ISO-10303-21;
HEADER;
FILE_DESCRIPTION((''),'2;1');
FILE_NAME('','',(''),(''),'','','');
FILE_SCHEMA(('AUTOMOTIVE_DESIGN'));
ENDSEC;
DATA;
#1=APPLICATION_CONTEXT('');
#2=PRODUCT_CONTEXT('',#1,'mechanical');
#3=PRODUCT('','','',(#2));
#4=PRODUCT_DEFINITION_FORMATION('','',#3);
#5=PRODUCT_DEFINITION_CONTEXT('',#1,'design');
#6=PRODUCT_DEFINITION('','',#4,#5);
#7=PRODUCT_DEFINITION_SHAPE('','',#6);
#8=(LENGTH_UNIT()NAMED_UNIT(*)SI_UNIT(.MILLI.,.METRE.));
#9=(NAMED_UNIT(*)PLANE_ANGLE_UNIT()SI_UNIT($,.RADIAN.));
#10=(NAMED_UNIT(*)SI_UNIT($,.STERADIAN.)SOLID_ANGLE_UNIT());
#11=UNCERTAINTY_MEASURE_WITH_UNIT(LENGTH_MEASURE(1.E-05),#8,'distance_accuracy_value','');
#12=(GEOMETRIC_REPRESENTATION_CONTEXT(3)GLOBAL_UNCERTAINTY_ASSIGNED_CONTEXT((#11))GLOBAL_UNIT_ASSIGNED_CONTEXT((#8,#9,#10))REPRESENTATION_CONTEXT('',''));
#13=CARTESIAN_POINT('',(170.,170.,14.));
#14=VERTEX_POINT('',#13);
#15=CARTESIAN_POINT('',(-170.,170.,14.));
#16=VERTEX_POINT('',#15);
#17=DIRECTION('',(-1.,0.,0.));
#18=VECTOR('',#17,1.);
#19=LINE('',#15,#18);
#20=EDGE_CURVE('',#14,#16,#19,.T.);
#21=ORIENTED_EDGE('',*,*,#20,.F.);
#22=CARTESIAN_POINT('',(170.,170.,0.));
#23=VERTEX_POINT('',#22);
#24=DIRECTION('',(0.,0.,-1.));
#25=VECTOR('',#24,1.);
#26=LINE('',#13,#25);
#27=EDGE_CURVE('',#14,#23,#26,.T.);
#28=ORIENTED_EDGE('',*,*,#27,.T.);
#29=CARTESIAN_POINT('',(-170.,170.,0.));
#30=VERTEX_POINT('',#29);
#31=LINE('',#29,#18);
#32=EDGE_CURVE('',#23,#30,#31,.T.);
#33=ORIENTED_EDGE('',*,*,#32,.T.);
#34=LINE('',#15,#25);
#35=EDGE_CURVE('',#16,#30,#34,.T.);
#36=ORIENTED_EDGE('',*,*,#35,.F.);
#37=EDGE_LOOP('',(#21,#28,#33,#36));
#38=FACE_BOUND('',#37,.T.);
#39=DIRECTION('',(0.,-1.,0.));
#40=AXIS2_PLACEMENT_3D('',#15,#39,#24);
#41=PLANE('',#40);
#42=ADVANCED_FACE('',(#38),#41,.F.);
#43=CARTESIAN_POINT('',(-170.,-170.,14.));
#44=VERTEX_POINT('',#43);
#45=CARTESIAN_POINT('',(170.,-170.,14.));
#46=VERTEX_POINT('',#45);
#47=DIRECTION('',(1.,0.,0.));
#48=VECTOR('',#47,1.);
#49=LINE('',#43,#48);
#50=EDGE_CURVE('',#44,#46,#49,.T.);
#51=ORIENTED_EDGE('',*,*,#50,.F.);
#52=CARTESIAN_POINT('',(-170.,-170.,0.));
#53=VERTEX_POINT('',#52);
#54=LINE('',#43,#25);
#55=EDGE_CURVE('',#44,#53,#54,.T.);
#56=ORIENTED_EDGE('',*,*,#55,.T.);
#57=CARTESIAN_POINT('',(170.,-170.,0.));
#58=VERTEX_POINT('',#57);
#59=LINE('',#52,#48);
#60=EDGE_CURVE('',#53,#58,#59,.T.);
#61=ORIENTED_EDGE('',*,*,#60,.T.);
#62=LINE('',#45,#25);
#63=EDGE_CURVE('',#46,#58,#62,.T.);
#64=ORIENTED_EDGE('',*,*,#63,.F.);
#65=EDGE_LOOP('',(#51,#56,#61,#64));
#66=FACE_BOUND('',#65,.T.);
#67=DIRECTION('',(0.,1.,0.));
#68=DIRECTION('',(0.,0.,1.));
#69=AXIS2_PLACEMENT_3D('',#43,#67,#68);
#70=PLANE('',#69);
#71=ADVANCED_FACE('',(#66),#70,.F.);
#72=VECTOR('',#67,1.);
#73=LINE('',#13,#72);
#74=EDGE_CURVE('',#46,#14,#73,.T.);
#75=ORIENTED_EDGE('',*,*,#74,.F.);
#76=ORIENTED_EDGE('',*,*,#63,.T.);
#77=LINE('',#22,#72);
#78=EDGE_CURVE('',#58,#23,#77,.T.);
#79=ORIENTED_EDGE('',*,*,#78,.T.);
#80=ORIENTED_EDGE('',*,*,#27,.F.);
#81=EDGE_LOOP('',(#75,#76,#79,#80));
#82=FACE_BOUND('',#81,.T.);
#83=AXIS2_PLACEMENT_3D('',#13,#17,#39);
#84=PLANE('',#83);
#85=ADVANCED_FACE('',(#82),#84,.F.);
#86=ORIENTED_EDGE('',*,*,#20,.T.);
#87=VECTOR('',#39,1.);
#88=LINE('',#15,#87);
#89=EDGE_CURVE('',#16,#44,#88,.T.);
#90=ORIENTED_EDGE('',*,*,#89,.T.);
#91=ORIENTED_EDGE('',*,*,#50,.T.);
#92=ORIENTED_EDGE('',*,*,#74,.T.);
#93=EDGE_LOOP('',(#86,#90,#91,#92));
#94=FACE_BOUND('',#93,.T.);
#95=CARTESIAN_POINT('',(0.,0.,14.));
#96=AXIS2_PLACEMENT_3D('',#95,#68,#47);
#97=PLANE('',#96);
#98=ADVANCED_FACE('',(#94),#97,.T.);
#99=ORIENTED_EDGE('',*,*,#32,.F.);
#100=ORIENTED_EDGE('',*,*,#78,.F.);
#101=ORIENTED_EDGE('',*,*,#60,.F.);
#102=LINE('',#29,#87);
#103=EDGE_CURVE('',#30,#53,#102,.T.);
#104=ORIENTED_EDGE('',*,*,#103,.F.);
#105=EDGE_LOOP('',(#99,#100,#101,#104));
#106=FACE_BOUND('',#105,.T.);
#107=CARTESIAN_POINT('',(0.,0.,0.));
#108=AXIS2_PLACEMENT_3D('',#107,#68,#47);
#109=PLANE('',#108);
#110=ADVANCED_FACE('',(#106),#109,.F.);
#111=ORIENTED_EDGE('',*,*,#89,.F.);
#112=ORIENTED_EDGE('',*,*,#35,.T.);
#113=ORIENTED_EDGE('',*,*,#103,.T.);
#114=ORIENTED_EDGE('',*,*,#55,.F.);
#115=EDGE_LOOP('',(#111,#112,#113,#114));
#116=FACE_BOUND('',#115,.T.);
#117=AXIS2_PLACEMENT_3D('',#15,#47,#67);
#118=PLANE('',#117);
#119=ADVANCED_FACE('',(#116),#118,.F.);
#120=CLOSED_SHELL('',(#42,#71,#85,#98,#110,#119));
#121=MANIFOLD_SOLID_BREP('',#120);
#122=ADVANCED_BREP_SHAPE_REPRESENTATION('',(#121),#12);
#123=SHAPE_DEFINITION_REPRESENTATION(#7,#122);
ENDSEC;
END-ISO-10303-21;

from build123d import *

# Parameters (mm, degrees)
SKETCH_1_W      = 340
SKETCH_1_H      = 340
EXTRUDE_1_DEPTH = 14


with BuildPart() as part:
    # Эскиз1 → Бобышка-Вытянуть1 (new body)
    with BuildSketch(Plane.XY):
        Rectangle(SKETCH_1_W, SKETCH_1_H)
    extrude(amount=EXTRUDE_1_DEPTH)


solid = part.part
